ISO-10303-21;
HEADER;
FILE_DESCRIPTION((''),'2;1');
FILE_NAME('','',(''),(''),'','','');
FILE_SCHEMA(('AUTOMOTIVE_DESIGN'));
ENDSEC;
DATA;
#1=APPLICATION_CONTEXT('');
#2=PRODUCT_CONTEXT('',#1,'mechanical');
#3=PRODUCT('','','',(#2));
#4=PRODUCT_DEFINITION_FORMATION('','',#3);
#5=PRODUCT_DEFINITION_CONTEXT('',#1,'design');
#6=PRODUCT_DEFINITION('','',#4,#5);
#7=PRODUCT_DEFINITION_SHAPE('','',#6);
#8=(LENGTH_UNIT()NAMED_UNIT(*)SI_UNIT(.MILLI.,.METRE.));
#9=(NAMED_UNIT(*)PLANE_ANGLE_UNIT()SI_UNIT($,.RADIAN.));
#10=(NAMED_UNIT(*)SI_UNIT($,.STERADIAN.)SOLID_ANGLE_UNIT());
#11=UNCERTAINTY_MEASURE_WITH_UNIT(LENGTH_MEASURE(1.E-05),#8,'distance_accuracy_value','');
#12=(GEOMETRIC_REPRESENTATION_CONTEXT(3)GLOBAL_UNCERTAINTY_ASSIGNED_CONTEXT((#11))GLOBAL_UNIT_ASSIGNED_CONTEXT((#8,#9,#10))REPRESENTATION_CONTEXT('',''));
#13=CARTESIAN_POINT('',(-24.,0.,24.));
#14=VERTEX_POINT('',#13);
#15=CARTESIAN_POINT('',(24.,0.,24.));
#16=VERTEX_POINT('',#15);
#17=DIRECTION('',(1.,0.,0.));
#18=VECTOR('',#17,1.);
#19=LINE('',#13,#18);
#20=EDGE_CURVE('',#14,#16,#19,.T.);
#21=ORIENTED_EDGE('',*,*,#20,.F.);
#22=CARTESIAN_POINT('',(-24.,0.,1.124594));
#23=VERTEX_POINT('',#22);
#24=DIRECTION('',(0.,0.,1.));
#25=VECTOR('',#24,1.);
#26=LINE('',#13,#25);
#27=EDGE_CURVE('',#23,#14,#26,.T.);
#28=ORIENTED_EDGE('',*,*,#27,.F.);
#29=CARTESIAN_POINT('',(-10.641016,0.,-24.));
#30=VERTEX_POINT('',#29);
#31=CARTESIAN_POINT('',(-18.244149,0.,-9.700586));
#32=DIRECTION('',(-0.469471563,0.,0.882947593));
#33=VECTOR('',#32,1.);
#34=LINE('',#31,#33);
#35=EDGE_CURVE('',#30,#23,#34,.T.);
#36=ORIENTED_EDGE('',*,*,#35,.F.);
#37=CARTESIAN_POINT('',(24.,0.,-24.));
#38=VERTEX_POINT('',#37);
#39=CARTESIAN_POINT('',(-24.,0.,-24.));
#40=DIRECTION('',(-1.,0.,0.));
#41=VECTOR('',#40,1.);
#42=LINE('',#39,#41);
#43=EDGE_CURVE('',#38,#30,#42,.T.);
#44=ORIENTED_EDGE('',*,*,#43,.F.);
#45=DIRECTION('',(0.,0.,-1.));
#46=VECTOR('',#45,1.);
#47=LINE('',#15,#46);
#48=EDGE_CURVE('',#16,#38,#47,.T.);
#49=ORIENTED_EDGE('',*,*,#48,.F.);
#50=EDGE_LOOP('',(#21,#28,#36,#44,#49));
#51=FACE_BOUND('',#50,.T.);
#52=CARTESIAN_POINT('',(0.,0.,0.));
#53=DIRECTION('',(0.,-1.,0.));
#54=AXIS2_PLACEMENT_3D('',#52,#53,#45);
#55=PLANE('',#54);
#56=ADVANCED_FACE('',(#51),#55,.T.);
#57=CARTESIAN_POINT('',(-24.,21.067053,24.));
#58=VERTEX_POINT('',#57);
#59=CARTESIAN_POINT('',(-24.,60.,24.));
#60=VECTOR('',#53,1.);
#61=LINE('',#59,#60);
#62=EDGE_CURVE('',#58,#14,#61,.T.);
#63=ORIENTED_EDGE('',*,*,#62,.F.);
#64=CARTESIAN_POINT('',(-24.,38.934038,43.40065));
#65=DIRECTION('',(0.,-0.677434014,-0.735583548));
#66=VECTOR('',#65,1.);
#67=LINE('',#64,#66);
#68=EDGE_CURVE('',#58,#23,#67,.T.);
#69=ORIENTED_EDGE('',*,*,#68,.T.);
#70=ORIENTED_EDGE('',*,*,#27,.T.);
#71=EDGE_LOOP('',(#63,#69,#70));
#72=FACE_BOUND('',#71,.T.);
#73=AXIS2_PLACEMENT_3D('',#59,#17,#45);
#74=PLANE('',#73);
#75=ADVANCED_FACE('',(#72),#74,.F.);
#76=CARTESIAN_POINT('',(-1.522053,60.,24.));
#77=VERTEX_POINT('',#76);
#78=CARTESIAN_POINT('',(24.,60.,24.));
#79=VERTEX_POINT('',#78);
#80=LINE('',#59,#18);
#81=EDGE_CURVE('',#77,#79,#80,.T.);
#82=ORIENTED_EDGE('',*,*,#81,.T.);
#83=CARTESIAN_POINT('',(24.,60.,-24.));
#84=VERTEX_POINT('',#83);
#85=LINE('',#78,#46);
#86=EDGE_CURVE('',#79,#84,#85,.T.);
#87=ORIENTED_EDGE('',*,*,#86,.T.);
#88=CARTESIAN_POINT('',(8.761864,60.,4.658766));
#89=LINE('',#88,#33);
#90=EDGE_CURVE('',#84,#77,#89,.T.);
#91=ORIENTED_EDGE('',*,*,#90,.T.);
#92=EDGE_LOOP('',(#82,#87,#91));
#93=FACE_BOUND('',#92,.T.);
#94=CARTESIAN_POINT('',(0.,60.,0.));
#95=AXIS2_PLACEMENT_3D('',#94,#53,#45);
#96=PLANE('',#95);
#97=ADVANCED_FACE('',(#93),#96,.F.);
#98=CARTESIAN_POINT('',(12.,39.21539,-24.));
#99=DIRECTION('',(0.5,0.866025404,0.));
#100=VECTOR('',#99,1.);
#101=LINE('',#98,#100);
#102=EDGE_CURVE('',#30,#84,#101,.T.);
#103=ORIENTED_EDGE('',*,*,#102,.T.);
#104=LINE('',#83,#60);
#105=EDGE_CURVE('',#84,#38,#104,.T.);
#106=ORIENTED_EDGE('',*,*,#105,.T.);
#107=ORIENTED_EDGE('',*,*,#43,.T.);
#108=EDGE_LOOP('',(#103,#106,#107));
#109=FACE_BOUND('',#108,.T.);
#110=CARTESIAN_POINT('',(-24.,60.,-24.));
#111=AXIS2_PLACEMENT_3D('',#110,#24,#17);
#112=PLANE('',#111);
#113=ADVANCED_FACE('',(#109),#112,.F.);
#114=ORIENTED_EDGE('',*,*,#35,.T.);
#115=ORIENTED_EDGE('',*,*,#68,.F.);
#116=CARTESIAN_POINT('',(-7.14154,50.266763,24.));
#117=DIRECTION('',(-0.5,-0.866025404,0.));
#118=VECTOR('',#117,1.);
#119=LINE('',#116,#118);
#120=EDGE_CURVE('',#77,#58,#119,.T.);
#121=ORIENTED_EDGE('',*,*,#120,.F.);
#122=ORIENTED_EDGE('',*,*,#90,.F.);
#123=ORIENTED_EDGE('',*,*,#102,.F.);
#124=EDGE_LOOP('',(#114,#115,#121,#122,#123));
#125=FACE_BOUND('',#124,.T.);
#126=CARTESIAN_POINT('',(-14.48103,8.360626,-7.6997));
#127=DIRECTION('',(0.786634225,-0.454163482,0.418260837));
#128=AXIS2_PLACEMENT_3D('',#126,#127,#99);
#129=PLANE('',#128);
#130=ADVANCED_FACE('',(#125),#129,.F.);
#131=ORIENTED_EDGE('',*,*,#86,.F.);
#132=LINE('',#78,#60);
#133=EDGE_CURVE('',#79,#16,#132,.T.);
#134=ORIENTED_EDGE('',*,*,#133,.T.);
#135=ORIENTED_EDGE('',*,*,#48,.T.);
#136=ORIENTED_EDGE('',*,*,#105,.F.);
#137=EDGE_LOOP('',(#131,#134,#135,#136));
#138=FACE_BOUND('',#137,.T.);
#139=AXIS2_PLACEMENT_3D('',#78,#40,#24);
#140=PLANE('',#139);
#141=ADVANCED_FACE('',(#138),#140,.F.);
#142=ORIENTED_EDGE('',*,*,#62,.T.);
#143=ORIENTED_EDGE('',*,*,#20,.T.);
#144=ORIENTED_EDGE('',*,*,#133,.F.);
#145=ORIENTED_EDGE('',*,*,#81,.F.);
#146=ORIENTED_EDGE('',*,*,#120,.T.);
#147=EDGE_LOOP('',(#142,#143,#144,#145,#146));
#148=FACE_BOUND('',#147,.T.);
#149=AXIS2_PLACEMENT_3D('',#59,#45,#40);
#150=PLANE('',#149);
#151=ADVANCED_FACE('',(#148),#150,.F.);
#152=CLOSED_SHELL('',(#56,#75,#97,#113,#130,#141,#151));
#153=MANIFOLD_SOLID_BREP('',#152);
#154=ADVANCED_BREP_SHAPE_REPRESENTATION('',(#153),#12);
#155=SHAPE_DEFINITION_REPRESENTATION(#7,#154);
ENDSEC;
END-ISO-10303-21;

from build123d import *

# Parameters (mm, degrees)
SKETCH_1_W      = 48
SKETCH_1_H      = 48
EXTRUDE_1_DEPTH = 60


with BuildPart() as part:
    # 草图1 → 凸台-拉伸1 (new body)
    with BuildSketch(Plane(origin=(0, 0, 0), x_dir=(1, 0, 0), z_dir=(0, 1, 0))):
        Rectangle(SKETCH_1_W, SKETCH_1_H)
    extrude(amount=EXTRUDE_1_DEPTH)

    # Surface Cut 1
    split(bisect_by=Plane(origin=(-14.481029553, 8.36062631, -7.699699993), x_dir=(0.3622245100921348, -0.20913041840877658, -0.9083269633698446), z_dir=(0.7866342252206607, -0.45416348168492593, 0.41826083681754983)), keep=Keep.TOP)


solid = part.part
